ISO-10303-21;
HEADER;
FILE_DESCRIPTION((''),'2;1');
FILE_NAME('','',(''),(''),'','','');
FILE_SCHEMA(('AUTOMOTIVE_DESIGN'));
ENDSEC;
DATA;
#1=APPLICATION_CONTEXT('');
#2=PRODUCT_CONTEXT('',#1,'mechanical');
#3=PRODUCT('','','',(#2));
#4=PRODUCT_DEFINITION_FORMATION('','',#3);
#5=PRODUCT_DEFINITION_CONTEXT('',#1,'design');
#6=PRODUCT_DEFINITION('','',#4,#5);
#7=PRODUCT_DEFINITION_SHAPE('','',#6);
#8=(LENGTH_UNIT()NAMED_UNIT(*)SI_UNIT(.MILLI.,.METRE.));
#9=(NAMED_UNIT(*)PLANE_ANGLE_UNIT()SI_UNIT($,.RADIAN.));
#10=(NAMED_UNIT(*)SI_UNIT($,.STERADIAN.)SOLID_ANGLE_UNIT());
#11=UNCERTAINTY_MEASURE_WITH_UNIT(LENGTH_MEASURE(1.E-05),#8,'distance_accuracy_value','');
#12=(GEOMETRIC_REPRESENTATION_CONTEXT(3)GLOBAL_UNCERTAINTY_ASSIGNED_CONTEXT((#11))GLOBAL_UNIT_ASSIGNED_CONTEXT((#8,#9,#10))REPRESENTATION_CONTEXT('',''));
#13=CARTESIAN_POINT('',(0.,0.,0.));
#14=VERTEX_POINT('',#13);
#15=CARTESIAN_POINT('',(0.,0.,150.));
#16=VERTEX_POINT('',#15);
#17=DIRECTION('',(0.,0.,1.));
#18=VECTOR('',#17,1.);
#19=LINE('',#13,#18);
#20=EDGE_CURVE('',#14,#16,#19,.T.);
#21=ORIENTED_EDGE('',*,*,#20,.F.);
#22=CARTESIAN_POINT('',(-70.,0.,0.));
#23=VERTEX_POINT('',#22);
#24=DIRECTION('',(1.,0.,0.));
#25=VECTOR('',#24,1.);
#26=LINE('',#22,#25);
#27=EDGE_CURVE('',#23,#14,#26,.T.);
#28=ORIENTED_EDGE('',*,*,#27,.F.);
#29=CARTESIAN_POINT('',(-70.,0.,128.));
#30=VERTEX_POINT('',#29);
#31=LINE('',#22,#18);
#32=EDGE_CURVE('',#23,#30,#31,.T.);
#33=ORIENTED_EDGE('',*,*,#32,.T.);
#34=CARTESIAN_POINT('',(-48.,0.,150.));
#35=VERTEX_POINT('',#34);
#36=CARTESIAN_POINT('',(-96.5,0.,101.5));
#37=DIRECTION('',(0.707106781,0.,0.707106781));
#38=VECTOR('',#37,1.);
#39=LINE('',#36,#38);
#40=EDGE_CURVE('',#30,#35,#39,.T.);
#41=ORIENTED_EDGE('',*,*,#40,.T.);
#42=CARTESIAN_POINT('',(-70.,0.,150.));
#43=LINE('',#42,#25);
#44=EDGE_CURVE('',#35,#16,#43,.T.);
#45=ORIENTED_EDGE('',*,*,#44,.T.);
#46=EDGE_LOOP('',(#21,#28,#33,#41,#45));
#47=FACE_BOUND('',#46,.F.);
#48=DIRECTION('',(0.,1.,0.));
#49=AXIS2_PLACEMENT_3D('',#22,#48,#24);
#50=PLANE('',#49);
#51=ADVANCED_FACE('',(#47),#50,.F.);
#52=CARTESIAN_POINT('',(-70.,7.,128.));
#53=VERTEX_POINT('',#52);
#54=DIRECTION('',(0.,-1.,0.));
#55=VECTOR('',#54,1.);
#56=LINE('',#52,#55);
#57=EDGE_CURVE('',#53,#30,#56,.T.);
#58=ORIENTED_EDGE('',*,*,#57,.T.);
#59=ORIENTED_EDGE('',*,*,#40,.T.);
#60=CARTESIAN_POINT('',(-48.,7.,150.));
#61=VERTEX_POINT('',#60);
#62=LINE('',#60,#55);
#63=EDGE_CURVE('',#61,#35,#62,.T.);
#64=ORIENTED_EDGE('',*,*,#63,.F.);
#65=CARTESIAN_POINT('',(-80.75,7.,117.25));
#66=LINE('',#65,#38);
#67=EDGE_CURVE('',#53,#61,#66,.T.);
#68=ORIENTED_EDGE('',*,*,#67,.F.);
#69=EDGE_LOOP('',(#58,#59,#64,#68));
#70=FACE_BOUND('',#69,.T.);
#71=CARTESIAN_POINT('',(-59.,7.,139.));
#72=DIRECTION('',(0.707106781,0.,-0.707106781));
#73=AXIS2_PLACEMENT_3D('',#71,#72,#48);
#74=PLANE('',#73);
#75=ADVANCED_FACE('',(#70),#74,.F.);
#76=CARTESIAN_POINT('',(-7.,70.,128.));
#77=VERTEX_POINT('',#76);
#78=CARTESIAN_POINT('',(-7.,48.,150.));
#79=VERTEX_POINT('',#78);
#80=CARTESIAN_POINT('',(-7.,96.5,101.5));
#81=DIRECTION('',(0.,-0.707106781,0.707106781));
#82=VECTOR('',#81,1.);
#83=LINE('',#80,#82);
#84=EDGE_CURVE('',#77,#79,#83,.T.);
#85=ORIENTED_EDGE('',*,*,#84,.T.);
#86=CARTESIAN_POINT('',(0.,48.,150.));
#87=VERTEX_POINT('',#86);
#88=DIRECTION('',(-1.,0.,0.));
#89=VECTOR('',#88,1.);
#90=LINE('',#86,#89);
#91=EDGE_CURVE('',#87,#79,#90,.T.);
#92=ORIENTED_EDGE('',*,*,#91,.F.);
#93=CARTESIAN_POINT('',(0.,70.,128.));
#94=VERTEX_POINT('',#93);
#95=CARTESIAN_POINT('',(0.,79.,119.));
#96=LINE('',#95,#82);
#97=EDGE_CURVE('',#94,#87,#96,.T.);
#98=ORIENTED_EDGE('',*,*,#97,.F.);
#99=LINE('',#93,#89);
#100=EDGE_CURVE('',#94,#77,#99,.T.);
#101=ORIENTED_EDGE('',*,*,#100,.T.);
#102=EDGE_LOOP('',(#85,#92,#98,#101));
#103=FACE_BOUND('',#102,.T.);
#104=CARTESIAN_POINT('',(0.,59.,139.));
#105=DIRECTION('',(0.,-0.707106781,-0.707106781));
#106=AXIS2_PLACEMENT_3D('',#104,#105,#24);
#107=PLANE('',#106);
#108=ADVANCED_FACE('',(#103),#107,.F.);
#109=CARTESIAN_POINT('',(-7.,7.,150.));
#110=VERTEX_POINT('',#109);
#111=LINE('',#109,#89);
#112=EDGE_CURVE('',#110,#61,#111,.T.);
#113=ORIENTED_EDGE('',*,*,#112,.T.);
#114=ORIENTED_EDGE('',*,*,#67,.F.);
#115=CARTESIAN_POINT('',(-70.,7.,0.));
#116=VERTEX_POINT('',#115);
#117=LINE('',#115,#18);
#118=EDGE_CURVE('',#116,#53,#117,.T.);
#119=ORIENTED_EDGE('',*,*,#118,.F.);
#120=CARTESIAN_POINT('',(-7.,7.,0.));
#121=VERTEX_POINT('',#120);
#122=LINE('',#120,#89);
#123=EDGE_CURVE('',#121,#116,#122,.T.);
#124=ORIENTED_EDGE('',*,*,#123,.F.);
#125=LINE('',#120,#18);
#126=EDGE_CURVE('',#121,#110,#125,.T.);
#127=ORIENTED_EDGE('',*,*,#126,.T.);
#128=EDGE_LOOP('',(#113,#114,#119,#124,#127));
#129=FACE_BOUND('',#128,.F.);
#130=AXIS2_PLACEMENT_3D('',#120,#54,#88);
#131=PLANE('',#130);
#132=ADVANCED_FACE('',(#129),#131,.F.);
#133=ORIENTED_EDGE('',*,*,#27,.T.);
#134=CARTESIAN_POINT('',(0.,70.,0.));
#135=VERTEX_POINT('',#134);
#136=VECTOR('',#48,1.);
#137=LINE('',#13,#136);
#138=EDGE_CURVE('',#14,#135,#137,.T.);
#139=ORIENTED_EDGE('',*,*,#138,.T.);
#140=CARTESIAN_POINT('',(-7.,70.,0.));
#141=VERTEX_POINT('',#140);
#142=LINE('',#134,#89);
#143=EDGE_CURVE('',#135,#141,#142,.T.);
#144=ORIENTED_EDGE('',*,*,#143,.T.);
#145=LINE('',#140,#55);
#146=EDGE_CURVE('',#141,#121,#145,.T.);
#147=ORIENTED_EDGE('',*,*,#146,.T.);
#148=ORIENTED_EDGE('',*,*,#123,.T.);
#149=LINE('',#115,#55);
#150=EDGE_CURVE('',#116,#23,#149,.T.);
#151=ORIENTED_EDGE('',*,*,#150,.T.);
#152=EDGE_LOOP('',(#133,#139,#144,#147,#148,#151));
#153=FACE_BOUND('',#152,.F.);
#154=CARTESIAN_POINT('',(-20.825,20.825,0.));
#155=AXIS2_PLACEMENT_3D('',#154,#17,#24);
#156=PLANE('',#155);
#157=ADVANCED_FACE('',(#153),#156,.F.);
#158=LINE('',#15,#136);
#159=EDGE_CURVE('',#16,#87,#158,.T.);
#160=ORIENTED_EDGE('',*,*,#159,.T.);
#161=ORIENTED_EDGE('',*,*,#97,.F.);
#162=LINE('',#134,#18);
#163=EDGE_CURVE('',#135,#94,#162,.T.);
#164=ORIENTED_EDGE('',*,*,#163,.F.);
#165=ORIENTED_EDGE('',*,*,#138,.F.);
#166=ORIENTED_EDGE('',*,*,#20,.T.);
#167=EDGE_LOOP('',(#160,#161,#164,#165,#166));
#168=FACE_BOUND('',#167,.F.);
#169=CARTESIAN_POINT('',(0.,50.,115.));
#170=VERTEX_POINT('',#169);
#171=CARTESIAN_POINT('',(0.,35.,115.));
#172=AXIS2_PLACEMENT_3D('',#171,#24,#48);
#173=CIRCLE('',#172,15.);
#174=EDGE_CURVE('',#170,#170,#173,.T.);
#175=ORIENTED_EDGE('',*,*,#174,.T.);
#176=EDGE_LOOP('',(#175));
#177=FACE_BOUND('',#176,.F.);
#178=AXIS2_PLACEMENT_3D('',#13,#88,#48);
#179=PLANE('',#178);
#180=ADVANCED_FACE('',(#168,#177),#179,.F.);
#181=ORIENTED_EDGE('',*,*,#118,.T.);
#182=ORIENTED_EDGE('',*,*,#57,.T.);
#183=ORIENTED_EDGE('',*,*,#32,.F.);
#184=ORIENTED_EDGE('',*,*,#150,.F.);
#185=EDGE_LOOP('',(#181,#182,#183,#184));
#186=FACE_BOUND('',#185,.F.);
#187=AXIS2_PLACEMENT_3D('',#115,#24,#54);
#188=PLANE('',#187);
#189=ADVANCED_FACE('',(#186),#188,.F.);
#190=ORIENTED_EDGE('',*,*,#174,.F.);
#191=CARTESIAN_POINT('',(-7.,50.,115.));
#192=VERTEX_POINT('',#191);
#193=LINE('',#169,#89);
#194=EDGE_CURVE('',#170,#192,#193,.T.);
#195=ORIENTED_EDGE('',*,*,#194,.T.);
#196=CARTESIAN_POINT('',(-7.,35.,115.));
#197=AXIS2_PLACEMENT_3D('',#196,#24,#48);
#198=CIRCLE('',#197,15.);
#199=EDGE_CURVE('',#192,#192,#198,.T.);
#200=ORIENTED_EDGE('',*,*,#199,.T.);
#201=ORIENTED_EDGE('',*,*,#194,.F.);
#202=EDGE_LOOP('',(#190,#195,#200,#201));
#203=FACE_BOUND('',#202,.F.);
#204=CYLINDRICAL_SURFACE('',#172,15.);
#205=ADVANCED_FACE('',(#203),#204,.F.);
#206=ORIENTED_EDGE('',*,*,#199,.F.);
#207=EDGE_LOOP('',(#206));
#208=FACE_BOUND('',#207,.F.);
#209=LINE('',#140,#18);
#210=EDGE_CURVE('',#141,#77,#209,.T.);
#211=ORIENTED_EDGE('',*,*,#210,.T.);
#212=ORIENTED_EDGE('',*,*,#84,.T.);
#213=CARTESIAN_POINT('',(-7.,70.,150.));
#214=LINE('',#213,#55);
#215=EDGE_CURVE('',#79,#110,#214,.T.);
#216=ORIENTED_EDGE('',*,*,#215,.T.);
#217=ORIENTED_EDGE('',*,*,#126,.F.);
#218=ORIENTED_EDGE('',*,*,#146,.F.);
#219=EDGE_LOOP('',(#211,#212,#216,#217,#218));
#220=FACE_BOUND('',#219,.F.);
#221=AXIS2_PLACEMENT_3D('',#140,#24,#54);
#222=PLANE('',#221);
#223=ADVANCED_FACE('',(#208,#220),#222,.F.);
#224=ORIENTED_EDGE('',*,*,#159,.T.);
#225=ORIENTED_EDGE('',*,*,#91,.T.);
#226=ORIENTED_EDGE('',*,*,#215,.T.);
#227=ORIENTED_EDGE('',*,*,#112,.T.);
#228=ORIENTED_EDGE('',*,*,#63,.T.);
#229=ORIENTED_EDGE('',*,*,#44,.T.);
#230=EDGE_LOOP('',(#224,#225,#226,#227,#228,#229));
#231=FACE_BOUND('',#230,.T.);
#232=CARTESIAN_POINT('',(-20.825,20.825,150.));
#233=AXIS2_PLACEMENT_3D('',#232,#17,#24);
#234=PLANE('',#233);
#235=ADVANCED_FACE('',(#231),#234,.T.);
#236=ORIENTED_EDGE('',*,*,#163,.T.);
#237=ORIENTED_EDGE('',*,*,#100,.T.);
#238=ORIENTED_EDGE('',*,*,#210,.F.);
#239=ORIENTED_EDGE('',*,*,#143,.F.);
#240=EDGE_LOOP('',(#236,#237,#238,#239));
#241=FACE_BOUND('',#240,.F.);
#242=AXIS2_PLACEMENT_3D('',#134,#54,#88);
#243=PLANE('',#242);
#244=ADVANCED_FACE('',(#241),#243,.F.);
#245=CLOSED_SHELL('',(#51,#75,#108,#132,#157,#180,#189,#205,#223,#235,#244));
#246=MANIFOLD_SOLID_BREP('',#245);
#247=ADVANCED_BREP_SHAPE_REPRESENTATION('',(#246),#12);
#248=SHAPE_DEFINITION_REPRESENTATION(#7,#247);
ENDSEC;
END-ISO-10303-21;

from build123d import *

# Parameters (mm, degrees)
F1_DEPTH = 150
F2_SIZE  = 22
F3_R     = 15
F4_DEPTH = 25


with BuildPart() as f1:
    # F0 (on Top) → F1 (new body)
    with BuildSketch(Plane.XY):
        Polygon((-70, 0), (0, 0), (0, 70), (-7, 70), (-7, 7), (-70, 7), align=None)
    extrude(amount=F1_DEPTH)

    # F2
    f2_edges = [f1.edges().sort_by_distance(p)[0] for p in [
        (-70, 3.5, 150),
        (-3.5, 70, 150),
    ]]
    chamfer(f2_edges, length=F2_SIZE)

    # F3 (on face) → F4 (cut)
    with BuildSketch(Plane.YZ):
        with Locations((35, 115)):
            Circle(F3_R)
    extrude(amount=-F4_DEPTH, mode=Mode.SUBTRACT)


solid = f1.part
